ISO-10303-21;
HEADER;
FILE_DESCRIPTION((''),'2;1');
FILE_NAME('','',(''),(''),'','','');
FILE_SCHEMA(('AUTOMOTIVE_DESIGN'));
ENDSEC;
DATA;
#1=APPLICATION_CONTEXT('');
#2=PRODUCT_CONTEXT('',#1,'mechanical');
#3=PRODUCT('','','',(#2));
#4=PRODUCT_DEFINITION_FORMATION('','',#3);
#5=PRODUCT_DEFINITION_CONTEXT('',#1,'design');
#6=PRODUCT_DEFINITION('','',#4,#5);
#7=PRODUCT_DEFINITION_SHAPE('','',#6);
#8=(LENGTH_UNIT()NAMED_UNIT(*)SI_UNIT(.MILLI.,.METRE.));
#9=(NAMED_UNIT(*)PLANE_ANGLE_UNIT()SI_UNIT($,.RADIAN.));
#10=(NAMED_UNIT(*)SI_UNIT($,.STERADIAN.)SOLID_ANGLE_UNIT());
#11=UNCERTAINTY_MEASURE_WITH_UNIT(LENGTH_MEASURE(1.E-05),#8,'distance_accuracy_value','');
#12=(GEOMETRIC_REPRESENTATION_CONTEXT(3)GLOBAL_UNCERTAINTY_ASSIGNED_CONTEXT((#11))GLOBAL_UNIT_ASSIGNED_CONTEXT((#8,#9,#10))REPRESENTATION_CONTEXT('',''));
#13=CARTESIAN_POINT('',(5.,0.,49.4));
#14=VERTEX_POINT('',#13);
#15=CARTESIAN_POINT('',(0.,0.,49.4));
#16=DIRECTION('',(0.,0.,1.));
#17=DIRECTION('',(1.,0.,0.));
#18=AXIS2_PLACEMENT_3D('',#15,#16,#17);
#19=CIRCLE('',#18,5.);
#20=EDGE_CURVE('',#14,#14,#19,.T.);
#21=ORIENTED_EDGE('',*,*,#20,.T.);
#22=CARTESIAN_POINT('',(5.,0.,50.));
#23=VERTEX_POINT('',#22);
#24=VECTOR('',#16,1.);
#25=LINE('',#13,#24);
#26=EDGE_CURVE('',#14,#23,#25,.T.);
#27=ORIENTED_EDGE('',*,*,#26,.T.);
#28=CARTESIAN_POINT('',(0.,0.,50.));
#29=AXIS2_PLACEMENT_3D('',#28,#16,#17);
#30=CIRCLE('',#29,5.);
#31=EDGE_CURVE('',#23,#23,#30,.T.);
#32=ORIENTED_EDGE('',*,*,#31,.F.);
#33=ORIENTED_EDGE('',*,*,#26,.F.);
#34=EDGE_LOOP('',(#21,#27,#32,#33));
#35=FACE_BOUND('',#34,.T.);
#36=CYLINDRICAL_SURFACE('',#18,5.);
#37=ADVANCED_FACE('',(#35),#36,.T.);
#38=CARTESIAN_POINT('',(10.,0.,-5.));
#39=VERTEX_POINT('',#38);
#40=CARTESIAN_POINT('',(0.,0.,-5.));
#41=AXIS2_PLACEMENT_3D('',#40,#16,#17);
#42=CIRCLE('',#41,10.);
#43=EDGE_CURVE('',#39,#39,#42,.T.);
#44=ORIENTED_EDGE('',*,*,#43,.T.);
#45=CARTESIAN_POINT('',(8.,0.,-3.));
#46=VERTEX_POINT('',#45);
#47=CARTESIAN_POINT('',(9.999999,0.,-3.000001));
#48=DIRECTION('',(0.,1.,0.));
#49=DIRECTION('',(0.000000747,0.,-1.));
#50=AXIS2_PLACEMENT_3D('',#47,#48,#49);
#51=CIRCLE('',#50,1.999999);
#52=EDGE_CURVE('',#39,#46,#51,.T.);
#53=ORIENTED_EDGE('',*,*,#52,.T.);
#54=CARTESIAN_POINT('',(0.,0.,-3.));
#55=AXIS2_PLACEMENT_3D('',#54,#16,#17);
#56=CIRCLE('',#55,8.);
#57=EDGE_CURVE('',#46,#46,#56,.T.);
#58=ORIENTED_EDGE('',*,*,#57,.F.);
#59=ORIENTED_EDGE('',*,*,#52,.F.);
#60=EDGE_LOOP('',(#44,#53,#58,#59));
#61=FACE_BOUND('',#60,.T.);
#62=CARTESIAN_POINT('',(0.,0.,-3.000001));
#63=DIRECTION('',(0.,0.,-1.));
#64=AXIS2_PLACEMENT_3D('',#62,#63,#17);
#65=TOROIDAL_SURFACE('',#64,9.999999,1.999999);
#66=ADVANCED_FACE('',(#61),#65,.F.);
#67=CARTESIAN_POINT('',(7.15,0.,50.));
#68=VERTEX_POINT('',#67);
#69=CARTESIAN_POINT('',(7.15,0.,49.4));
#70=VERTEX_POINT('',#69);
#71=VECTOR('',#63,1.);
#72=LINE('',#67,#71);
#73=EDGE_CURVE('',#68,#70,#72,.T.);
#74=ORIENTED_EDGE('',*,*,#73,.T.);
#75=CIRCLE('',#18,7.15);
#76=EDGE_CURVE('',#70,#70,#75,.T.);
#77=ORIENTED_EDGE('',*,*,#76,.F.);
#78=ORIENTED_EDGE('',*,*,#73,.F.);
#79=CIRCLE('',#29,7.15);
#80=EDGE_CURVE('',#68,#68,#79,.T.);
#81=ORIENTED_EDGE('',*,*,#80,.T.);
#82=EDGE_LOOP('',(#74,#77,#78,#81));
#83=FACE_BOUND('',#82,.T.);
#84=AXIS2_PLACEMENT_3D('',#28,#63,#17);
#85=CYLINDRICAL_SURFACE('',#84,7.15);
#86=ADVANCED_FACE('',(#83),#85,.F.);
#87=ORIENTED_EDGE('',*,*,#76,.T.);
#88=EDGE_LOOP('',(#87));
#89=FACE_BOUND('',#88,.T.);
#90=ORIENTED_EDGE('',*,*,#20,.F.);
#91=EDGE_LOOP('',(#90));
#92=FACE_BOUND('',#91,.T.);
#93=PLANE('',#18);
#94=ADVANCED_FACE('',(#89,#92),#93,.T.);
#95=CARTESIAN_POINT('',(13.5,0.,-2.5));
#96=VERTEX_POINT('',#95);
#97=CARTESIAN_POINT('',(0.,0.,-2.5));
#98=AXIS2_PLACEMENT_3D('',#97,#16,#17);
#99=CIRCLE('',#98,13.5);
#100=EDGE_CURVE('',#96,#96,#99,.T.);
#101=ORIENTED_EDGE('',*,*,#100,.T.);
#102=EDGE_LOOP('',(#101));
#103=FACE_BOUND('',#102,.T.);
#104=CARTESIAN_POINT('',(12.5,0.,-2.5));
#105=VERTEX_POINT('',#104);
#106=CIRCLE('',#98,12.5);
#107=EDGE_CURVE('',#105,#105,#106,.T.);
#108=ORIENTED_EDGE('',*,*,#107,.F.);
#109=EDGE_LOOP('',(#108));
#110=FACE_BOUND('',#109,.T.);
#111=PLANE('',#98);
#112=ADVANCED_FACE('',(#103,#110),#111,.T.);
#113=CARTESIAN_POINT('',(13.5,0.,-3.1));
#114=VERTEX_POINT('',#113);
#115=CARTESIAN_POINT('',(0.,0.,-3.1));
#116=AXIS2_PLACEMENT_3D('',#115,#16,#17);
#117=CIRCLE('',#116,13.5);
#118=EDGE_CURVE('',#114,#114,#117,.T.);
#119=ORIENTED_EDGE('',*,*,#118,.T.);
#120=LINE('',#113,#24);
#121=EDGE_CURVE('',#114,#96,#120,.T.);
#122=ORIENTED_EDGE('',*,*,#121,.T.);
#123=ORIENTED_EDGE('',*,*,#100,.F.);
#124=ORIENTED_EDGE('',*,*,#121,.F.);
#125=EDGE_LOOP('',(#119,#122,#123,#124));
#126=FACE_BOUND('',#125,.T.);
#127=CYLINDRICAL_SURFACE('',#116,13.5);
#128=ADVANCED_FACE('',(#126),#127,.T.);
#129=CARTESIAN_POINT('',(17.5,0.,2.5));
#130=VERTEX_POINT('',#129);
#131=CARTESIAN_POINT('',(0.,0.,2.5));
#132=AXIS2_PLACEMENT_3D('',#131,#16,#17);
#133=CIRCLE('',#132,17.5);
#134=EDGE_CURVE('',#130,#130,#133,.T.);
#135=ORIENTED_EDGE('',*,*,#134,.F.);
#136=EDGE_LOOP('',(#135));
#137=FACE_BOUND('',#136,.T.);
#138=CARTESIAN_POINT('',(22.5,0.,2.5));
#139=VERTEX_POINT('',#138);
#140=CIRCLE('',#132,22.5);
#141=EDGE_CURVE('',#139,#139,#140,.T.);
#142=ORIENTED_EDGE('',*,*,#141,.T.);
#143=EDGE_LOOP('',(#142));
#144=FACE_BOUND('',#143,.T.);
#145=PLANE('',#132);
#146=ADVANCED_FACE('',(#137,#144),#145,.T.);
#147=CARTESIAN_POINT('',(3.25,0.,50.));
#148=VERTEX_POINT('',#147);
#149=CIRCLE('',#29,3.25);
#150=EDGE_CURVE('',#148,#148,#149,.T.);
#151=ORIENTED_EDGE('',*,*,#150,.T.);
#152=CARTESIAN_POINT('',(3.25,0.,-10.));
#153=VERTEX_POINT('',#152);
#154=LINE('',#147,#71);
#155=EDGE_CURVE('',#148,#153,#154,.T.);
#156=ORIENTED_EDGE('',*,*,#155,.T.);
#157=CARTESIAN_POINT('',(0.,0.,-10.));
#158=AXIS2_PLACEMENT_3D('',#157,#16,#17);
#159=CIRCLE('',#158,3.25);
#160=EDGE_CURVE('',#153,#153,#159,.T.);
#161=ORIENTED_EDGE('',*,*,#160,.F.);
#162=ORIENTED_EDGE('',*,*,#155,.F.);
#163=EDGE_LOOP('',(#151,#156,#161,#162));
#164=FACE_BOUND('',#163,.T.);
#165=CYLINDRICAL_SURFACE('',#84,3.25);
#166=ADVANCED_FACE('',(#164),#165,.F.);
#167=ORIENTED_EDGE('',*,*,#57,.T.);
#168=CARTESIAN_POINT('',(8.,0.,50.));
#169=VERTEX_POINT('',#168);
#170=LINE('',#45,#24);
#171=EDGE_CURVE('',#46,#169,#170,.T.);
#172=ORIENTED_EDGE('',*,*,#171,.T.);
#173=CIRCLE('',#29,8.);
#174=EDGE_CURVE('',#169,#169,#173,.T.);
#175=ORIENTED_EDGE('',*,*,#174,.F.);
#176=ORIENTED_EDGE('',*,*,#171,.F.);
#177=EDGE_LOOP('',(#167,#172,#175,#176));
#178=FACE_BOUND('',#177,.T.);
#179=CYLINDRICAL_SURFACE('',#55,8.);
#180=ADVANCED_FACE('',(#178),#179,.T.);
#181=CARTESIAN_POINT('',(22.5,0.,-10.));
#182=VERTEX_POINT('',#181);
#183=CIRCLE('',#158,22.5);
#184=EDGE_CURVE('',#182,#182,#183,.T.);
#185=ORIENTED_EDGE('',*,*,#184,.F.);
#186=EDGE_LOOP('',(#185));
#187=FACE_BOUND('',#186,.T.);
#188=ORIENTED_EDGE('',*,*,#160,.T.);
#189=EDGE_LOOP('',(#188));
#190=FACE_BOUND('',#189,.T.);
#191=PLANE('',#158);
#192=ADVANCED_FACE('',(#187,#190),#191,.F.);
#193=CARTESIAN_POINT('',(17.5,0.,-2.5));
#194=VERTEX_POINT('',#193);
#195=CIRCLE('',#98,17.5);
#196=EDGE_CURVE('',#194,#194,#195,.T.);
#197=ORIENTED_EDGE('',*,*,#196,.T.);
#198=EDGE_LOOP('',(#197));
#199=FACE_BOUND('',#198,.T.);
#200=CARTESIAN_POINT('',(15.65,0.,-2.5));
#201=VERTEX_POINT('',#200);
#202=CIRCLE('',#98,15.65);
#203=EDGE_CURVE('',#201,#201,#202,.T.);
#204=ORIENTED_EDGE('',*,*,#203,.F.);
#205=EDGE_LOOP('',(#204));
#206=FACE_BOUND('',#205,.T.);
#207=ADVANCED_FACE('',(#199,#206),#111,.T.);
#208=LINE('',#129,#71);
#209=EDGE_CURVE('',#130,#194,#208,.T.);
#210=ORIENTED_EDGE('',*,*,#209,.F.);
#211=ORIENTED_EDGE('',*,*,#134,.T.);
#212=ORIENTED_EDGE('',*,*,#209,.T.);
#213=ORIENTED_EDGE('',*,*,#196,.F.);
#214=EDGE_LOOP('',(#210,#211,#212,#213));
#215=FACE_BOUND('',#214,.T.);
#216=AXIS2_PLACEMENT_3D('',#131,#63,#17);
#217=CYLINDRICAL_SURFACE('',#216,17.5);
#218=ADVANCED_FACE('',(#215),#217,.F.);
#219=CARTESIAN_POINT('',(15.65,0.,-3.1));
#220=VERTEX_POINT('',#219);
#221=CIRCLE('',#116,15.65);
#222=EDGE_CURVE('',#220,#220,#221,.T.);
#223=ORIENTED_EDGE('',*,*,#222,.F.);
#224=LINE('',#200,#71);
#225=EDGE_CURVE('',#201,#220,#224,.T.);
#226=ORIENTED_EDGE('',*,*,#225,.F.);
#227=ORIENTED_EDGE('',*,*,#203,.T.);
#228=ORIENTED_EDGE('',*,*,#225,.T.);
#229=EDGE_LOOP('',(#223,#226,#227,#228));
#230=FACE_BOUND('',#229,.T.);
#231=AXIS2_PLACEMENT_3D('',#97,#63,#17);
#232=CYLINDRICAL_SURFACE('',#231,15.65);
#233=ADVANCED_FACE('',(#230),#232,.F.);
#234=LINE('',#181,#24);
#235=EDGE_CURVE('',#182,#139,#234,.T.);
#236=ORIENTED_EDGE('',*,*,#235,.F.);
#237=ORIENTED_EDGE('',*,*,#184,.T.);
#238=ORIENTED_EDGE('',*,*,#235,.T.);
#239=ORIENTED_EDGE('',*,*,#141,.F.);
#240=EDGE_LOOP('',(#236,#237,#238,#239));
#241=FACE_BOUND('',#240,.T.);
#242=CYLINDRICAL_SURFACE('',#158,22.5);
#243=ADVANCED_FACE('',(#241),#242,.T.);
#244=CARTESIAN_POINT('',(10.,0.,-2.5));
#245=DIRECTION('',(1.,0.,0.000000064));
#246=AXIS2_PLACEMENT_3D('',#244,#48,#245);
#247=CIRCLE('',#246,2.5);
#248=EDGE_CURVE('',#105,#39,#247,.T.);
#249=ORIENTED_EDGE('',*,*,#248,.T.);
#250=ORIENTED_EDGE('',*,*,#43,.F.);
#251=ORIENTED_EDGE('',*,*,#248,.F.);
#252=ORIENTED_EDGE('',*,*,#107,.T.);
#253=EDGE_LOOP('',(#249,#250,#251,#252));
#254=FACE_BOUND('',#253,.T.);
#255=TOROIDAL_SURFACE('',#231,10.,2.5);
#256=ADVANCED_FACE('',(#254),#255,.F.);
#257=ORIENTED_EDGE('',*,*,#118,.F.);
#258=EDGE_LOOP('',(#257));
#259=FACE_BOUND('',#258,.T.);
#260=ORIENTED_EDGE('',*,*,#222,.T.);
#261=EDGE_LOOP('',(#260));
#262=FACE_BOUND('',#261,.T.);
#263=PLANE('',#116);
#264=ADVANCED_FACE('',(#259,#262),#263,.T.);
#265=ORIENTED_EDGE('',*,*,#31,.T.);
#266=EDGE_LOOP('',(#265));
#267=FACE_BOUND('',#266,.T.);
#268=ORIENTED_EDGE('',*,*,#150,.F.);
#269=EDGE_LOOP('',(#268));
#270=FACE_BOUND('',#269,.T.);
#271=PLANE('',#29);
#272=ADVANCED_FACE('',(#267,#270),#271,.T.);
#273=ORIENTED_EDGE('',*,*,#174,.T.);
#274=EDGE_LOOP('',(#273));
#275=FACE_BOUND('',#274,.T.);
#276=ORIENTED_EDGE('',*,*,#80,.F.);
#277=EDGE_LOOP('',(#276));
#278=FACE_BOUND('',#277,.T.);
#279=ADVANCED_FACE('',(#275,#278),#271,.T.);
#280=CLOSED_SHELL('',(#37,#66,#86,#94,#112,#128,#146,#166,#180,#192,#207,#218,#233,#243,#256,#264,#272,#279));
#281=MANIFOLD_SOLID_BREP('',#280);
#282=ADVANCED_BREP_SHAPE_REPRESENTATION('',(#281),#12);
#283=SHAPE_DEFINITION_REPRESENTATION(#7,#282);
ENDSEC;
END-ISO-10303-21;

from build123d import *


with BuildPart() as f1:
    # F0 (on Front) → F1 (revolve)
    with BuildSketch(Plane.XZ):
        with BuildLine():
            Line((3.25, 50), (3.25, -10))
            Line((3.25, -10), (17.5, -10))
            Line((17.5, -10), (22.5, -10))
            Line((22.5, -10), (22.5, 2.5))
            Line((22.5, 2.5), (17.5, 2.5))
            Line((17.5, 2.5), (17.5, -2.5))
            Line((17.5, -2.5), (15.65, -2.5))
            Line((15.65, -2.5), (15.65, -3.1))
            Line((15.65, -3.1), (13.5, -3.1))
            Line((13.5, -3.1), (13.5, -2.5))
            Line((13.5, -2.5), (12.5, -2.5))
            ThreePointArc((12.5, -2.5), (11.767767, -4.267767), (10, -5))
            ThreePointArc((10, -5), (8.585786, -4.414214), (8, -3))
            Line((8, -3), (8, 50))
            Line((8, 50), (7.15, 50))
            Line((7.15, 50), (7.15, 49.4))
            Line((7.15, 49.4), (5, 49.4))
            Line((5, 49.4), (5, 50))
            Line((5, 50), (3.25, 50))
        make_face()
    revolve(axis=Axis((0, 0, 50), (0, 0, 1)))


solid = f1.part
